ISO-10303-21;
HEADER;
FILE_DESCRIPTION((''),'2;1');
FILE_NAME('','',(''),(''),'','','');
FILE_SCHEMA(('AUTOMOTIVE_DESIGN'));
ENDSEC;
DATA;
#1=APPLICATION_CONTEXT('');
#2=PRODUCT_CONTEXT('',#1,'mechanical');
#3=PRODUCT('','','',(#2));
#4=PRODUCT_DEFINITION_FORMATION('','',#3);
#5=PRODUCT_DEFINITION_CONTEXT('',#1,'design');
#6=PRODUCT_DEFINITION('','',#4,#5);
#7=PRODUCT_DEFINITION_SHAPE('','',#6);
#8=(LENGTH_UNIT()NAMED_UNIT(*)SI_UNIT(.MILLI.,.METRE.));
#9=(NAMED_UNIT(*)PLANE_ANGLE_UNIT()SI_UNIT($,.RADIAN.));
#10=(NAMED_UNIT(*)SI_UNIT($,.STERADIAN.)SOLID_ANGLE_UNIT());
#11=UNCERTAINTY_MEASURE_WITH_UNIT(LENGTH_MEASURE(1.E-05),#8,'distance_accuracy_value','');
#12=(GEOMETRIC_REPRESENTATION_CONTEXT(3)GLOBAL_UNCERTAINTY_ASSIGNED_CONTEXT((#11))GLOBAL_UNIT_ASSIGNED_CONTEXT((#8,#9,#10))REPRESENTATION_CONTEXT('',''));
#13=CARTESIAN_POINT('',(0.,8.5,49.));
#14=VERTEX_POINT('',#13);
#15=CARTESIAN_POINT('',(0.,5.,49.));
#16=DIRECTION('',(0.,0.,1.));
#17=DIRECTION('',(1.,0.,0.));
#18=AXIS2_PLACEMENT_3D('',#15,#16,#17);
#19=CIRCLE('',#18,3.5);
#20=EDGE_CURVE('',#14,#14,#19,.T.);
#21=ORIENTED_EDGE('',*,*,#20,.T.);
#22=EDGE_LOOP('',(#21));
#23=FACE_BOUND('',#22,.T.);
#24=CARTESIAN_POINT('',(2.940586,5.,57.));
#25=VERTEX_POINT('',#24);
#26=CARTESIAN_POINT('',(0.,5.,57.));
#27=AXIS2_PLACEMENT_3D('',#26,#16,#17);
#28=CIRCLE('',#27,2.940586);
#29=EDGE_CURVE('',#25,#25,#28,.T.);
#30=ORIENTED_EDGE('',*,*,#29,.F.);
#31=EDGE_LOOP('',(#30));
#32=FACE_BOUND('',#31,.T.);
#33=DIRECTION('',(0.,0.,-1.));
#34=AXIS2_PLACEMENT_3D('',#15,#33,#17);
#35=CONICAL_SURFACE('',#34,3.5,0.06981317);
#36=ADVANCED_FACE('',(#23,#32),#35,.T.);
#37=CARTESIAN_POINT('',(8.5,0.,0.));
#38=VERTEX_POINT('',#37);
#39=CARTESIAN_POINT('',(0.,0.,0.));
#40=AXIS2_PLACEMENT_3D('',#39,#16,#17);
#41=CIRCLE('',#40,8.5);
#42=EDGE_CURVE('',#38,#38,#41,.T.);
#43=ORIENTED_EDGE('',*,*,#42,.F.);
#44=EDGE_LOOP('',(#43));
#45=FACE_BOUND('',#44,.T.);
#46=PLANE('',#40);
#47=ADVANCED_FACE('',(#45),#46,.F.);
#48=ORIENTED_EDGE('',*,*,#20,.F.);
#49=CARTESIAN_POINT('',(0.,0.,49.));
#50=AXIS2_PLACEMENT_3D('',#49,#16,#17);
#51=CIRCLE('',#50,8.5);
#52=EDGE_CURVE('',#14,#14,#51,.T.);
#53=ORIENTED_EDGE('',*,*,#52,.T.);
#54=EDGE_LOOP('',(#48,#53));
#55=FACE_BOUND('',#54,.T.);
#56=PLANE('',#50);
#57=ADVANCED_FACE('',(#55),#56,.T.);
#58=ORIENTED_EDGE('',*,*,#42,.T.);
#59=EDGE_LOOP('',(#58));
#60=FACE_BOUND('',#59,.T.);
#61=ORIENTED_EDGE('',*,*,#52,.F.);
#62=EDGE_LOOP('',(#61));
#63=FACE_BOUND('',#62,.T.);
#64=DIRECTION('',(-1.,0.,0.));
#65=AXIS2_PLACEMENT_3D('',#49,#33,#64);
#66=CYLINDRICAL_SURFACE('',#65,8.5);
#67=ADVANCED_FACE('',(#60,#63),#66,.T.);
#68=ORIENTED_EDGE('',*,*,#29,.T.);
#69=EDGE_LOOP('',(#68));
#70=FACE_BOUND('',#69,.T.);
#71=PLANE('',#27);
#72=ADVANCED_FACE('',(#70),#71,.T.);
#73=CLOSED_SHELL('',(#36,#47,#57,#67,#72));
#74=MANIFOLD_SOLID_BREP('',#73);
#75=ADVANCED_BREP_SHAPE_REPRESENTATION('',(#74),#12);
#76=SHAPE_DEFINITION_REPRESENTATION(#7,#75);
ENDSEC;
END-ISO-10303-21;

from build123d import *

# Parameters (mm, degrees)
SKETCH1_R           = 8.5
BOSS_EXTRUDE1_DEPTH = 49
SKETCH2_R           = 3.5
BOSS_EXTRUDE2_DEPTH = 8
BOSS_EXTRUDE2_TAPER = 4


with BuildPart() as part:
    # Sketch1 → Boss-Extrude1 (new body)
    with BuildSketch(Plane.XY):
        Circle(SKETCH1_R)
    extrude(amount=BOSS_EXTRUDE1_DEPTH)

    # Sketch2 → Boss-Extrude2 (add)
    with BuildSketch(Plane.XY.offset(49)):
        with Locations((0, 5)):
            Circle(SKETCH2_R)
    extrude(amount=BOSS_EXTRUDE2_DEPTH, taper=BOSS_EXTRUDE2_TAPER)


solid = part.part
